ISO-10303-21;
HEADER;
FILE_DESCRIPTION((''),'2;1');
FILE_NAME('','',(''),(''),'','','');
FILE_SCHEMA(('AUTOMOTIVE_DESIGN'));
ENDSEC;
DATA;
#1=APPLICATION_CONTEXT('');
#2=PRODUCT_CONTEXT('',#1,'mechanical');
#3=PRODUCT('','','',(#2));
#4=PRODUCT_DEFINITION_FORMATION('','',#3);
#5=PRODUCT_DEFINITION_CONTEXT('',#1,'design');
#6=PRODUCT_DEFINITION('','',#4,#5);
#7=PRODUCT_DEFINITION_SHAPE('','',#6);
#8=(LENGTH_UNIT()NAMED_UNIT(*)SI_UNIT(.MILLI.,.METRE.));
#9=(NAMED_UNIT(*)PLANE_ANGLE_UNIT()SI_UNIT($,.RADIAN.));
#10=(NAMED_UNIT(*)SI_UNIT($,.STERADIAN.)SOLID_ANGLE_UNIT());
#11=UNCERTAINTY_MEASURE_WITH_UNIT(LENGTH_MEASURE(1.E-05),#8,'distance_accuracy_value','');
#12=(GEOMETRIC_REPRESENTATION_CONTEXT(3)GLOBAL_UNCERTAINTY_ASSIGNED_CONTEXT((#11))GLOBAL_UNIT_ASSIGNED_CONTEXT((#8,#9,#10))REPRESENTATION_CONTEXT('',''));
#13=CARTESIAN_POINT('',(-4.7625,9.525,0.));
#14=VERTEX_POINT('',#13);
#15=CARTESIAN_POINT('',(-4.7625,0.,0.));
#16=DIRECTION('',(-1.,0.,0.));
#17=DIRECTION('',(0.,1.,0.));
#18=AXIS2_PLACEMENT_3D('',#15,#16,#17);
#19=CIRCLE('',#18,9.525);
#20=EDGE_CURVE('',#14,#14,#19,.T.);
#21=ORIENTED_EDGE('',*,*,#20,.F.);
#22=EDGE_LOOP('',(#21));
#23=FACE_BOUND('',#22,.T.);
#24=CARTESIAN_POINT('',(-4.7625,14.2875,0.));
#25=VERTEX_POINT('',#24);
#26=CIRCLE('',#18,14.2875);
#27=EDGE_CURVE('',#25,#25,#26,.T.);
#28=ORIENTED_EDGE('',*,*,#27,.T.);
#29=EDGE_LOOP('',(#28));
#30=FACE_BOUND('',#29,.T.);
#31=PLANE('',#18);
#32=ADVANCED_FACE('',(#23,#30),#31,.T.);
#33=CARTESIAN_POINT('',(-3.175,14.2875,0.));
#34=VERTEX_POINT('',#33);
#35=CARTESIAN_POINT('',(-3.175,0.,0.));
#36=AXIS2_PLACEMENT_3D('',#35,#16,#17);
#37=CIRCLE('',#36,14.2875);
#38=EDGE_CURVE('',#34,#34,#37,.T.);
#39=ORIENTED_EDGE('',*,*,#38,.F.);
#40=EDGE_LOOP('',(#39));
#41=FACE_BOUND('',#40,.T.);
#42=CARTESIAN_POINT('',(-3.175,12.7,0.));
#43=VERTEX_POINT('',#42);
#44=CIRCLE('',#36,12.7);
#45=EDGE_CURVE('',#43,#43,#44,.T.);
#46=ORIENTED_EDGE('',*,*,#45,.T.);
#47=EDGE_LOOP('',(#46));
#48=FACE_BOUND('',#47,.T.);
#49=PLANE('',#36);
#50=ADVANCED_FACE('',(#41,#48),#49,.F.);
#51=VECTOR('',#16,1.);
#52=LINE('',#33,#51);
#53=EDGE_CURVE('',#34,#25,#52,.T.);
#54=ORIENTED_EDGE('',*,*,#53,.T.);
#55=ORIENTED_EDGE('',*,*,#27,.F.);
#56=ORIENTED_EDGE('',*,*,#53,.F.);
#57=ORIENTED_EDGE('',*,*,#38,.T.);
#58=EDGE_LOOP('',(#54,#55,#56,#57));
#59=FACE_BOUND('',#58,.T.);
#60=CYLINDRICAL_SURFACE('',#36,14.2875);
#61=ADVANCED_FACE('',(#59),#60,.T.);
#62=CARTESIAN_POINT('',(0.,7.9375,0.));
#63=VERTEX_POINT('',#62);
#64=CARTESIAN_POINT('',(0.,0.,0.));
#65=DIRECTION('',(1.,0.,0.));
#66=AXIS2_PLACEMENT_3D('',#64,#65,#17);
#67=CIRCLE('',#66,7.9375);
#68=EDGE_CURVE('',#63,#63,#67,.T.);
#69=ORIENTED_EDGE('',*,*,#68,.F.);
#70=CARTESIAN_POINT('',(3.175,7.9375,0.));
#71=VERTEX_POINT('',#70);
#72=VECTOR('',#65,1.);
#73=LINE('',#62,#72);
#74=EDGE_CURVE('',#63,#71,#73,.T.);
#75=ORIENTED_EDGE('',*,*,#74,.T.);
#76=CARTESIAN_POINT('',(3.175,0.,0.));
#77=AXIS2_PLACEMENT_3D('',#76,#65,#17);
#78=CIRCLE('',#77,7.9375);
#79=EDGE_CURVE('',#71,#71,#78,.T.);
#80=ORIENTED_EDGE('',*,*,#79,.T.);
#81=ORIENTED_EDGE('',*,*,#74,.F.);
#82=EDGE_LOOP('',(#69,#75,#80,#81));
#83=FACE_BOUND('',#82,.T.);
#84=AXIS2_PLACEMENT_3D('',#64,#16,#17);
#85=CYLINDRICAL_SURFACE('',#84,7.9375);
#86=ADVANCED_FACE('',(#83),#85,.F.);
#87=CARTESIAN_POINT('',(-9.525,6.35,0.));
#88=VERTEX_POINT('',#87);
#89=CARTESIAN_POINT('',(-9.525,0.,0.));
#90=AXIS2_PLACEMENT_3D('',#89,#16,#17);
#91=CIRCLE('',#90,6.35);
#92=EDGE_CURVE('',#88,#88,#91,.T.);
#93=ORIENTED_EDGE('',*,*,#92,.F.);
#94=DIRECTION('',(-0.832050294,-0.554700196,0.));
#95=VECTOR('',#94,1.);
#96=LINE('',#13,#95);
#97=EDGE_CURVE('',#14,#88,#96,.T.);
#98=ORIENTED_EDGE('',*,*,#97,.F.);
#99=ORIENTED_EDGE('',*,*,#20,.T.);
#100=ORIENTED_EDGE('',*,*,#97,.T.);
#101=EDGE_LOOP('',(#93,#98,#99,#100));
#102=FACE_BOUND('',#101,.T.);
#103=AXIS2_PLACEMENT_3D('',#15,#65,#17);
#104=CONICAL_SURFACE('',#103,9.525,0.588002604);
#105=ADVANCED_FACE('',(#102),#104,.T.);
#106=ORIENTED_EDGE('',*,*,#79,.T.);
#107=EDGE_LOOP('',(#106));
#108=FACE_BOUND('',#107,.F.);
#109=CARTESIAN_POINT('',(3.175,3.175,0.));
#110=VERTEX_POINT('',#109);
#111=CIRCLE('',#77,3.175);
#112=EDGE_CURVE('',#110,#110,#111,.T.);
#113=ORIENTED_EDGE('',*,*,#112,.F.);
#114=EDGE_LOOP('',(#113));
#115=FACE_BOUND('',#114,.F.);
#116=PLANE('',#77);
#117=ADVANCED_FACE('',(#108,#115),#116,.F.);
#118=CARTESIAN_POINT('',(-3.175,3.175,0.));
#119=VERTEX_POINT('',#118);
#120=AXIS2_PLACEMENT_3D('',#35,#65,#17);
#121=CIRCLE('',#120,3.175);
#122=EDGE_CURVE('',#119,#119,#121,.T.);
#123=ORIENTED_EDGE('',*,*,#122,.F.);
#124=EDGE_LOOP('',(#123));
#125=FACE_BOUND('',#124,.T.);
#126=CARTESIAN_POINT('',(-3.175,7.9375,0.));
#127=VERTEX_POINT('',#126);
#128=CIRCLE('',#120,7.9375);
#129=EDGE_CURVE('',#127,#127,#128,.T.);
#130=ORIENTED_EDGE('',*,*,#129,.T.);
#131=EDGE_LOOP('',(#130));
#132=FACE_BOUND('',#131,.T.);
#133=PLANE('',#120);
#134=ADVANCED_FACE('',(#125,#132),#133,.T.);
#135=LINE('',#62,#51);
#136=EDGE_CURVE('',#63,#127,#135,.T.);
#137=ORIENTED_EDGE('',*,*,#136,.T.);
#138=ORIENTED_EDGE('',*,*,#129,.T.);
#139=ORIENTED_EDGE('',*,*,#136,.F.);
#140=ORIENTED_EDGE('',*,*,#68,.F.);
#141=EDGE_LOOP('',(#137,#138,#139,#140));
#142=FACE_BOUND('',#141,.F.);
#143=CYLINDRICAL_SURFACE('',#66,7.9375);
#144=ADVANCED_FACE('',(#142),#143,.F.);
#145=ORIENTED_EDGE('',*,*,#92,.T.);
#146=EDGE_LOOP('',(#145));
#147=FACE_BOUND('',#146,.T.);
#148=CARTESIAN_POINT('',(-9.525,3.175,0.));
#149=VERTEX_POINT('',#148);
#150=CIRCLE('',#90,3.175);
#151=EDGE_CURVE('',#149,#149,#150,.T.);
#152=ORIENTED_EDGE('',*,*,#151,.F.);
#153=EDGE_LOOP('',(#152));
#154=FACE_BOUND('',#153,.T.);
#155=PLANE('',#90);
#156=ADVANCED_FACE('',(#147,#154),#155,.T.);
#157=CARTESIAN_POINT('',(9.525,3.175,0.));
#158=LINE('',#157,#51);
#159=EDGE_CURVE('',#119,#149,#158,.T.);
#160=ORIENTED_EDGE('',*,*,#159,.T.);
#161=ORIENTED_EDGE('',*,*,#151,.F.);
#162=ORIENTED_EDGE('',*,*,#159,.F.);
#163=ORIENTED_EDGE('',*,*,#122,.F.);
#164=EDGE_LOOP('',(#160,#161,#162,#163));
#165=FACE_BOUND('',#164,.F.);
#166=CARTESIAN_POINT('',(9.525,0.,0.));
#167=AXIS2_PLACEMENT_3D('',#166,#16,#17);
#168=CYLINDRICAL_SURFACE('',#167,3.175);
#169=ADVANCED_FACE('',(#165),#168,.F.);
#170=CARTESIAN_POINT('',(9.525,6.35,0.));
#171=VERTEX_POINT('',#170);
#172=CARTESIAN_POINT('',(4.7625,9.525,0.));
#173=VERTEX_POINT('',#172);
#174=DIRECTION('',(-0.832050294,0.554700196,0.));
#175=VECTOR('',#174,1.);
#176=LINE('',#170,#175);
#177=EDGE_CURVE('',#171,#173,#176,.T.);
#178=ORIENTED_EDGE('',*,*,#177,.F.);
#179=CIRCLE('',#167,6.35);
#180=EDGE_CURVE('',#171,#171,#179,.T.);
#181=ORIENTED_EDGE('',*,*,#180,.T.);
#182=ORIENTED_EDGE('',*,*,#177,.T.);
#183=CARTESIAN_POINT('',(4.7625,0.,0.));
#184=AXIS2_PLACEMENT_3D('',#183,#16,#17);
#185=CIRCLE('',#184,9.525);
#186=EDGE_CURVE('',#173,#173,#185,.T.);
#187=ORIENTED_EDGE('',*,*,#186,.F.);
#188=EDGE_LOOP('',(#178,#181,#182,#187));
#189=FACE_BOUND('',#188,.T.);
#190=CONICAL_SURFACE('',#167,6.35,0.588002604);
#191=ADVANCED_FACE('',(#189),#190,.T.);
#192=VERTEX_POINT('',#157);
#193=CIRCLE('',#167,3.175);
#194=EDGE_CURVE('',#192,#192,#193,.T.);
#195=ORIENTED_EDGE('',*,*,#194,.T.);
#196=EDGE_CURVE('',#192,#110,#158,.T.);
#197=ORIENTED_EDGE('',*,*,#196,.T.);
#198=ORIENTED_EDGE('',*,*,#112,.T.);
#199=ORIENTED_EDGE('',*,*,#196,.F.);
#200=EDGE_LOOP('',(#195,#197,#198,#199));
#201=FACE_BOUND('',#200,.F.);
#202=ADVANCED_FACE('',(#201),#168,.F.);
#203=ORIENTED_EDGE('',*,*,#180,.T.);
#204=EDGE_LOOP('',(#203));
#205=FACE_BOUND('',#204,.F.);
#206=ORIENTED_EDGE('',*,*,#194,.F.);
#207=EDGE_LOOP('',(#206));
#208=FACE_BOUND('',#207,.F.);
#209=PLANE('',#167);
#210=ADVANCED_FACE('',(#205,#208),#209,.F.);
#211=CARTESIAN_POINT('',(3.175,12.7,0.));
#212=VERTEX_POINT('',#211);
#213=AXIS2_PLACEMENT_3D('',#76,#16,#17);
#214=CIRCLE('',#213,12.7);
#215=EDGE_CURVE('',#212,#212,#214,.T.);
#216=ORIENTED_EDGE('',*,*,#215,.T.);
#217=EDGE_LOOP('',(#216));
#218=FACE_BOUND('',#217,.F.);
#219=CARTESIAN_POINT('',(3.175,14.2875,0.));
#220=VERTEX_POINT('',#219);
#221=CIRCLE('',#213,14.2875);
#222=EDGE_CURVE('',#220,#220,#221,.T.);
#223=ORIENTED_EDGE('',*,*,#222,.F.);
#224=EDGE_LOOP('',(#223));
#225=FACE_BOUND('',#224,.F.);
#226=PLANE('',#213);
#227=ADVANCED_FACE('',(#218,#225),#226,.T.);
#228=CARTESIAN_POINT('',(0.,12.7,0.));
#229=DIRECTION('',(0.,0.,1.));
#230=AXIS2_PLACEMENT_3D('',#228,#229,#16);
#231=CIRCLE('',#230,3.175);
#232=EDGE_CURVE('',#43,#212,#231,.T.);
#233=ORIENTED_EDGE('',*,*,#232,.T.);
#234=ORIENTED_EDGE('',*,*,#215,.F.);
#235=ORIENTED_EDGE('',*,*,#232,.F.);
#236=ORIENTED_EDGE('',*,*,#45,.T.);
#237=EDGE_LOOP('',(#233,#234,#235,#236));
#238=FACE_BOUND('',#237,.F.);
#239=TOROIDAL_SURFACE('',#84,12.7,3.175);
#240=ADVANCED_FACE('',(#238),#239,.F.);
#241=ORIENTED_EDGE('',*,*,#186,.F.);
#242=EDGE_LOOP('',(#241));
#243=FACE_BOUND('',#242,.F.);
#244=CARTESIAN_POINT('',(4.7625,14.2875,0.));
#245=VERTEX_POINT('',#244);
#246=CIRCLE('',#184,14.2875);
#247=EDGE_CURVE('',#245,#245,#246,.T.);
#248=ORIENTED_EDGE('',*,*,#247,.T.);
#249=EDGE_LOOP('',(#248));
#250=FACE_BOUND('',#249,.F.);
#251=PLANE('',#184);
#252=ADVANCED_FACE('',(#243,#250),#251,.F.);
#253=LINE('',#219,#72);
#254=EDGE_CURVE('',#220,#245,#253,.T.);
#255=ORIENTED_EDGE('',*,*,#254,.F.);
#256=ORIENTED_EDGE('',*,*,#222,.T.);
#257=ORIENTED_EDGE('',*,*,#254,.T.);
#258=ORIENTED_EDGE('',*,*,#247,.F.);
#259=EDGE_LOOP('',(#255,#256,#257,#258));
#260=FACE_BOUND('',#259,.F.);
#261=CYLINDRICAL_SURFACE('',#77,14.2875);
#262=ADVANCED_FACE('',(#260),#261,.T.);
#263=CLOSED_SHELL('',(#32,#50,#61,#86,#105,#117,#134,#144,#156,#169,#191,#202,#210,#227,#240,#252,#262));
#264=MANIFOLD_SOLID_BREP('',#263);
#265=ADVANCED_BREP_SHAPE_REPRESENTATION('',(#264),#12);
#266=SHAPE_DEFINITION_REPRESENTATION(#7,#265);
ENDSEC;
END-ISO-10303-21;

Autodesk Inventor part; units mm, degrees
ref_plane "YZ Plane" through (0, 0, 0) normal (1, 0, 0) x (0, 1, 0)
ref_plane "XZ Plane" through (0, 0, 0) normal (0, 1, 0) x (-1, 0, 0)
ref_plane "XY Plane" through (0, 0, 0) normal (0, 0, 1) x (1, 0, 0)
sketch "Sketch1" plane through (0, 0, 0) normal (0, 0, 1) x (1, 0, 0)
  arc A0 (-3.175, 12.7) -> (3.175, 12.7) centre (0, 12.7) ccw
  line L0 (0, -1.6305) -> (0, 0) construction
  line L1 (0, -1.6305) -> (0, 9.525) construction
  line L2 (3.175, 12.7) -> (3.175, 14.2875)
  line L3 (3.175, 14.2875) -> (4.7625, 14.2875)
  line L4 (4.7625, 14.2875) -> (4.7625, 9.525)
  line L5 (-3.175, 12.7) -> (-3.175, 14.2875)
  line L6 (-3.175, 14.2875) -> (-4.7625, 14.2875)
  line L7 (-4.7625, 14.2875) -> (-4.7625, 9.525)
  line L8 (9.525, 3.175) -> (-9.525, 3.175)
  line L9 (3.175, 12.7) -> (-3.175, 12.7) construction
  line L10 (9.525, 6.35) -> (9.525, 3.175)
  line L11 (-9.525, 6.35) -> (-9.525, 3.175)
  line L12 (9.525, 6.35) -> (4.7625, 9.525)
  line L13 (-4.7625, 9.525) -> (-9.525, 6.35)
  line L14 (21.4144, 0) -> (-14.6121, 0) construction
  point P0 (0, 3.175)
  dimension "d1" = 1.5875
  dimension "d2" = 1.5875
  dimension "d7" = 9.525
  dimension "d8" = 3.175
  dimension "d10" = 3.175
  dimension "d11" = 9.525
  dimension "d12" = 19.05
  dimension "d13" = 3.175
  dimension "d14" = 3.175
revolve "Revolution1" add sketch "Sketch1" angle 360 about axis through (21.4144, 0, 0) along (-1, 0, 0)
sketch "Sketch2" plane through (0, 0, 0) normal (1, 0, 0) x (0, 1, 0)
  circle A0 centre (0, 0) radius 3.175 projected
  circle A1 centre (0, 0) radius 7.9375
  point P0 (0, 0)
  dimension "d16" = 15.875
extrude "Extrusion1" cut sketch "Sketch2" along normal mid plane 6.35
properties part number "line pulley" material "ABS Plastic"
